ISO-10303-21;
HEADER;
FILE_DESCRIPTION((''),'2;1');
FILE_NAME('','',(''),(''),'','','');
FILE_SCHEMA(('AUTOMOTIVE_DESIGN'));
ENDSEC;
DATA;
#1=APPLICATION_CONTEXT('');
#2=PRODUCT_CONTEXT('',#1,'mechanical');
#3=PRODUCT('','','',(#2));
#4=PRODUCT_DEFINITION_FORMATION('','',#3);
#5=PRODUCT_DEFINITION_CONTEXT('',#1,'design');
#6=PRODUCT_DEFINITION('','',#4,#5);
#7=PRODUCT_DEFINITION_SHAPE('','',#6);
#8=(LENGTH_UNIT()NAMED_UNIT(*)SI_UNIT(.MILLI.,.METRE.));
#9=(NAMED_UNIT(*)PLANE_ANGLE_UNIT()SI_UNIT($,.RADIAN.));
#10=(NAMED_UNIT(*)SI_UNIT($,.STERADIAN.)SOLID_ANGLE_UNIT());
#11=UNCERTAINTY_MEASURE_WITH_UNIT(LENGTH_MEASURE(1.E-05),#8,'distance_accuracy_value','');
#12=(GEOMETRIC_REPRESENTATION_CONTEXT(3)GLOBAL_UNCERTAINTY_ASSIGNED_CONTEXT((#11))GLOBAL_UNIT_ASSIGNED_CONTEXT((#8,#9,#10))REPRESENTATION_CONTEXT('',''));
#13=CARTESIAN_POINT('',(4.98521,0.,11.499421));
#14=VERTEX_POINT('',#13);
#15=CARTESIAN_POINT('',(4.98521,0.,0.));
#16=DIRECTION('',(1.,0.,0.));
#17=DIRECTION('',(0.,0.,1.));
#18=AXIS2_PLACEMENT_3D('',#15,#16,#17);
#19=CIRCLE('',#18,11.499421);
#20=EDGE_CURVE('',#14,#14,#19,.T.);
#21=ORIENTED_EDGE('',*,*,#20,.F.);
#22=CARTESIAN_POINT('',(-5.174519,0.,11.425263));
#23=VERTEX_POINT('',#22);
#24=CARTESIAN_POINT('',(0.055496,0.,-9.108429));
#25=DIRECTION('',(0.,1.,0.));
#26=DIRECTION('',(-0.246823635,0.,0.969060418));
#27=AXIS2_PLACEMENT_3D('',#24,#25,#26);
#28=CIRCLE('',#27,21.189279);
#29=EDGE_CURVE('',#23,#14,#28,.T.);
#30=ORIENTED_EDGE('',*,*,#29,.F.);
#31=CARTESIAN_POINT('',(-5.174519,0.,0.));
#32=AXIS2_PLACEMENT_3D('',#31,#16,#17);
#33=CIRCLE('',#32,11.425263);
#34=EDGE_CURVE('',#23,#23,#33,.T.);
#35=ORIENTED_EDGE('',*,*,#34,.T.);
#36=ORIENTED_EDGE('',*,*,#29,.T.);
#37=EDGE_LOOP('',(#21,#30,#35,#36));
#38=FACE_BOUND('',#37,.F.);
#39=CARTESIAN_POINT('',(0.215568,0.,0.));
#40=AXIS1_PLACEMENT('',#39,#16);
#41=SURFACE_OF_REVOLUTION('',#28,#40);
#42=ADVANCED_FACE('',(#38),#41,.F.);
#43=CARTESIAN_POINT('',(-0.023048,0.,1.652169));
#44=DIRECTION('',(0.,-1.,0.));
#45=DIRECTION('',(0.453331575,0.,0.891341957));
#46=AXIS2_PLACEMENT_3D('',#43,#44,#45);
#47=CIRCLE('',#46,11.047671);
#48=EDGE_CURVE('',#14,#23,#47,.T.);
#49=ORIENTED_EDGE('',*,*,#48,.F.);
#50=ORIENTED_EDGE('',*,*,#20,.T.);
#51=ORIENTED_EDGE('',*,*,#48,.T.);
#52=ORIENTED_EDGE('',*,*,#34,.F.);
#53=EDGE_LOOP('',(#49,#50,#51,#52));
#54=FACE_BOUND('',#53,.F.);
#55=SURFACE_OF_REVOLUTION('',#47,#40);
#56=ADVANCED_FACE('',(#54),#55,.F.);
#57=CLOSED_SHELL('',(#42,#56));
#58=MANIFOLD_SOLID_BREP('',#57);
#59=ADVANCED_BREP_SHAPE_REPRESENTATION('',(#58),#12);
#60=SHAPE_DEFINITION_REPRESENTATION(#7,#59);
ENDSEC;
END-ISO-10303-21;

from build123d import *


with BuildPart() as f1:
    # F0 (on Front) → F1 (revolve)
    with BuildSketch(Plane.XZ):
        with BuildLine():
            ThreePointArc((-5.174519, 11.425263), (-0.099165, 12.080286), (4.98521, 11.499421))
            ThreePointArc((4.98521, 11.499421), (-0.103685, 12.699545), (-5.174519, 11.425263))
        make_face()
    revolve(axis=Axis((0.215568, 0, 0), (1, 0, 0)))


solid = f1.part
